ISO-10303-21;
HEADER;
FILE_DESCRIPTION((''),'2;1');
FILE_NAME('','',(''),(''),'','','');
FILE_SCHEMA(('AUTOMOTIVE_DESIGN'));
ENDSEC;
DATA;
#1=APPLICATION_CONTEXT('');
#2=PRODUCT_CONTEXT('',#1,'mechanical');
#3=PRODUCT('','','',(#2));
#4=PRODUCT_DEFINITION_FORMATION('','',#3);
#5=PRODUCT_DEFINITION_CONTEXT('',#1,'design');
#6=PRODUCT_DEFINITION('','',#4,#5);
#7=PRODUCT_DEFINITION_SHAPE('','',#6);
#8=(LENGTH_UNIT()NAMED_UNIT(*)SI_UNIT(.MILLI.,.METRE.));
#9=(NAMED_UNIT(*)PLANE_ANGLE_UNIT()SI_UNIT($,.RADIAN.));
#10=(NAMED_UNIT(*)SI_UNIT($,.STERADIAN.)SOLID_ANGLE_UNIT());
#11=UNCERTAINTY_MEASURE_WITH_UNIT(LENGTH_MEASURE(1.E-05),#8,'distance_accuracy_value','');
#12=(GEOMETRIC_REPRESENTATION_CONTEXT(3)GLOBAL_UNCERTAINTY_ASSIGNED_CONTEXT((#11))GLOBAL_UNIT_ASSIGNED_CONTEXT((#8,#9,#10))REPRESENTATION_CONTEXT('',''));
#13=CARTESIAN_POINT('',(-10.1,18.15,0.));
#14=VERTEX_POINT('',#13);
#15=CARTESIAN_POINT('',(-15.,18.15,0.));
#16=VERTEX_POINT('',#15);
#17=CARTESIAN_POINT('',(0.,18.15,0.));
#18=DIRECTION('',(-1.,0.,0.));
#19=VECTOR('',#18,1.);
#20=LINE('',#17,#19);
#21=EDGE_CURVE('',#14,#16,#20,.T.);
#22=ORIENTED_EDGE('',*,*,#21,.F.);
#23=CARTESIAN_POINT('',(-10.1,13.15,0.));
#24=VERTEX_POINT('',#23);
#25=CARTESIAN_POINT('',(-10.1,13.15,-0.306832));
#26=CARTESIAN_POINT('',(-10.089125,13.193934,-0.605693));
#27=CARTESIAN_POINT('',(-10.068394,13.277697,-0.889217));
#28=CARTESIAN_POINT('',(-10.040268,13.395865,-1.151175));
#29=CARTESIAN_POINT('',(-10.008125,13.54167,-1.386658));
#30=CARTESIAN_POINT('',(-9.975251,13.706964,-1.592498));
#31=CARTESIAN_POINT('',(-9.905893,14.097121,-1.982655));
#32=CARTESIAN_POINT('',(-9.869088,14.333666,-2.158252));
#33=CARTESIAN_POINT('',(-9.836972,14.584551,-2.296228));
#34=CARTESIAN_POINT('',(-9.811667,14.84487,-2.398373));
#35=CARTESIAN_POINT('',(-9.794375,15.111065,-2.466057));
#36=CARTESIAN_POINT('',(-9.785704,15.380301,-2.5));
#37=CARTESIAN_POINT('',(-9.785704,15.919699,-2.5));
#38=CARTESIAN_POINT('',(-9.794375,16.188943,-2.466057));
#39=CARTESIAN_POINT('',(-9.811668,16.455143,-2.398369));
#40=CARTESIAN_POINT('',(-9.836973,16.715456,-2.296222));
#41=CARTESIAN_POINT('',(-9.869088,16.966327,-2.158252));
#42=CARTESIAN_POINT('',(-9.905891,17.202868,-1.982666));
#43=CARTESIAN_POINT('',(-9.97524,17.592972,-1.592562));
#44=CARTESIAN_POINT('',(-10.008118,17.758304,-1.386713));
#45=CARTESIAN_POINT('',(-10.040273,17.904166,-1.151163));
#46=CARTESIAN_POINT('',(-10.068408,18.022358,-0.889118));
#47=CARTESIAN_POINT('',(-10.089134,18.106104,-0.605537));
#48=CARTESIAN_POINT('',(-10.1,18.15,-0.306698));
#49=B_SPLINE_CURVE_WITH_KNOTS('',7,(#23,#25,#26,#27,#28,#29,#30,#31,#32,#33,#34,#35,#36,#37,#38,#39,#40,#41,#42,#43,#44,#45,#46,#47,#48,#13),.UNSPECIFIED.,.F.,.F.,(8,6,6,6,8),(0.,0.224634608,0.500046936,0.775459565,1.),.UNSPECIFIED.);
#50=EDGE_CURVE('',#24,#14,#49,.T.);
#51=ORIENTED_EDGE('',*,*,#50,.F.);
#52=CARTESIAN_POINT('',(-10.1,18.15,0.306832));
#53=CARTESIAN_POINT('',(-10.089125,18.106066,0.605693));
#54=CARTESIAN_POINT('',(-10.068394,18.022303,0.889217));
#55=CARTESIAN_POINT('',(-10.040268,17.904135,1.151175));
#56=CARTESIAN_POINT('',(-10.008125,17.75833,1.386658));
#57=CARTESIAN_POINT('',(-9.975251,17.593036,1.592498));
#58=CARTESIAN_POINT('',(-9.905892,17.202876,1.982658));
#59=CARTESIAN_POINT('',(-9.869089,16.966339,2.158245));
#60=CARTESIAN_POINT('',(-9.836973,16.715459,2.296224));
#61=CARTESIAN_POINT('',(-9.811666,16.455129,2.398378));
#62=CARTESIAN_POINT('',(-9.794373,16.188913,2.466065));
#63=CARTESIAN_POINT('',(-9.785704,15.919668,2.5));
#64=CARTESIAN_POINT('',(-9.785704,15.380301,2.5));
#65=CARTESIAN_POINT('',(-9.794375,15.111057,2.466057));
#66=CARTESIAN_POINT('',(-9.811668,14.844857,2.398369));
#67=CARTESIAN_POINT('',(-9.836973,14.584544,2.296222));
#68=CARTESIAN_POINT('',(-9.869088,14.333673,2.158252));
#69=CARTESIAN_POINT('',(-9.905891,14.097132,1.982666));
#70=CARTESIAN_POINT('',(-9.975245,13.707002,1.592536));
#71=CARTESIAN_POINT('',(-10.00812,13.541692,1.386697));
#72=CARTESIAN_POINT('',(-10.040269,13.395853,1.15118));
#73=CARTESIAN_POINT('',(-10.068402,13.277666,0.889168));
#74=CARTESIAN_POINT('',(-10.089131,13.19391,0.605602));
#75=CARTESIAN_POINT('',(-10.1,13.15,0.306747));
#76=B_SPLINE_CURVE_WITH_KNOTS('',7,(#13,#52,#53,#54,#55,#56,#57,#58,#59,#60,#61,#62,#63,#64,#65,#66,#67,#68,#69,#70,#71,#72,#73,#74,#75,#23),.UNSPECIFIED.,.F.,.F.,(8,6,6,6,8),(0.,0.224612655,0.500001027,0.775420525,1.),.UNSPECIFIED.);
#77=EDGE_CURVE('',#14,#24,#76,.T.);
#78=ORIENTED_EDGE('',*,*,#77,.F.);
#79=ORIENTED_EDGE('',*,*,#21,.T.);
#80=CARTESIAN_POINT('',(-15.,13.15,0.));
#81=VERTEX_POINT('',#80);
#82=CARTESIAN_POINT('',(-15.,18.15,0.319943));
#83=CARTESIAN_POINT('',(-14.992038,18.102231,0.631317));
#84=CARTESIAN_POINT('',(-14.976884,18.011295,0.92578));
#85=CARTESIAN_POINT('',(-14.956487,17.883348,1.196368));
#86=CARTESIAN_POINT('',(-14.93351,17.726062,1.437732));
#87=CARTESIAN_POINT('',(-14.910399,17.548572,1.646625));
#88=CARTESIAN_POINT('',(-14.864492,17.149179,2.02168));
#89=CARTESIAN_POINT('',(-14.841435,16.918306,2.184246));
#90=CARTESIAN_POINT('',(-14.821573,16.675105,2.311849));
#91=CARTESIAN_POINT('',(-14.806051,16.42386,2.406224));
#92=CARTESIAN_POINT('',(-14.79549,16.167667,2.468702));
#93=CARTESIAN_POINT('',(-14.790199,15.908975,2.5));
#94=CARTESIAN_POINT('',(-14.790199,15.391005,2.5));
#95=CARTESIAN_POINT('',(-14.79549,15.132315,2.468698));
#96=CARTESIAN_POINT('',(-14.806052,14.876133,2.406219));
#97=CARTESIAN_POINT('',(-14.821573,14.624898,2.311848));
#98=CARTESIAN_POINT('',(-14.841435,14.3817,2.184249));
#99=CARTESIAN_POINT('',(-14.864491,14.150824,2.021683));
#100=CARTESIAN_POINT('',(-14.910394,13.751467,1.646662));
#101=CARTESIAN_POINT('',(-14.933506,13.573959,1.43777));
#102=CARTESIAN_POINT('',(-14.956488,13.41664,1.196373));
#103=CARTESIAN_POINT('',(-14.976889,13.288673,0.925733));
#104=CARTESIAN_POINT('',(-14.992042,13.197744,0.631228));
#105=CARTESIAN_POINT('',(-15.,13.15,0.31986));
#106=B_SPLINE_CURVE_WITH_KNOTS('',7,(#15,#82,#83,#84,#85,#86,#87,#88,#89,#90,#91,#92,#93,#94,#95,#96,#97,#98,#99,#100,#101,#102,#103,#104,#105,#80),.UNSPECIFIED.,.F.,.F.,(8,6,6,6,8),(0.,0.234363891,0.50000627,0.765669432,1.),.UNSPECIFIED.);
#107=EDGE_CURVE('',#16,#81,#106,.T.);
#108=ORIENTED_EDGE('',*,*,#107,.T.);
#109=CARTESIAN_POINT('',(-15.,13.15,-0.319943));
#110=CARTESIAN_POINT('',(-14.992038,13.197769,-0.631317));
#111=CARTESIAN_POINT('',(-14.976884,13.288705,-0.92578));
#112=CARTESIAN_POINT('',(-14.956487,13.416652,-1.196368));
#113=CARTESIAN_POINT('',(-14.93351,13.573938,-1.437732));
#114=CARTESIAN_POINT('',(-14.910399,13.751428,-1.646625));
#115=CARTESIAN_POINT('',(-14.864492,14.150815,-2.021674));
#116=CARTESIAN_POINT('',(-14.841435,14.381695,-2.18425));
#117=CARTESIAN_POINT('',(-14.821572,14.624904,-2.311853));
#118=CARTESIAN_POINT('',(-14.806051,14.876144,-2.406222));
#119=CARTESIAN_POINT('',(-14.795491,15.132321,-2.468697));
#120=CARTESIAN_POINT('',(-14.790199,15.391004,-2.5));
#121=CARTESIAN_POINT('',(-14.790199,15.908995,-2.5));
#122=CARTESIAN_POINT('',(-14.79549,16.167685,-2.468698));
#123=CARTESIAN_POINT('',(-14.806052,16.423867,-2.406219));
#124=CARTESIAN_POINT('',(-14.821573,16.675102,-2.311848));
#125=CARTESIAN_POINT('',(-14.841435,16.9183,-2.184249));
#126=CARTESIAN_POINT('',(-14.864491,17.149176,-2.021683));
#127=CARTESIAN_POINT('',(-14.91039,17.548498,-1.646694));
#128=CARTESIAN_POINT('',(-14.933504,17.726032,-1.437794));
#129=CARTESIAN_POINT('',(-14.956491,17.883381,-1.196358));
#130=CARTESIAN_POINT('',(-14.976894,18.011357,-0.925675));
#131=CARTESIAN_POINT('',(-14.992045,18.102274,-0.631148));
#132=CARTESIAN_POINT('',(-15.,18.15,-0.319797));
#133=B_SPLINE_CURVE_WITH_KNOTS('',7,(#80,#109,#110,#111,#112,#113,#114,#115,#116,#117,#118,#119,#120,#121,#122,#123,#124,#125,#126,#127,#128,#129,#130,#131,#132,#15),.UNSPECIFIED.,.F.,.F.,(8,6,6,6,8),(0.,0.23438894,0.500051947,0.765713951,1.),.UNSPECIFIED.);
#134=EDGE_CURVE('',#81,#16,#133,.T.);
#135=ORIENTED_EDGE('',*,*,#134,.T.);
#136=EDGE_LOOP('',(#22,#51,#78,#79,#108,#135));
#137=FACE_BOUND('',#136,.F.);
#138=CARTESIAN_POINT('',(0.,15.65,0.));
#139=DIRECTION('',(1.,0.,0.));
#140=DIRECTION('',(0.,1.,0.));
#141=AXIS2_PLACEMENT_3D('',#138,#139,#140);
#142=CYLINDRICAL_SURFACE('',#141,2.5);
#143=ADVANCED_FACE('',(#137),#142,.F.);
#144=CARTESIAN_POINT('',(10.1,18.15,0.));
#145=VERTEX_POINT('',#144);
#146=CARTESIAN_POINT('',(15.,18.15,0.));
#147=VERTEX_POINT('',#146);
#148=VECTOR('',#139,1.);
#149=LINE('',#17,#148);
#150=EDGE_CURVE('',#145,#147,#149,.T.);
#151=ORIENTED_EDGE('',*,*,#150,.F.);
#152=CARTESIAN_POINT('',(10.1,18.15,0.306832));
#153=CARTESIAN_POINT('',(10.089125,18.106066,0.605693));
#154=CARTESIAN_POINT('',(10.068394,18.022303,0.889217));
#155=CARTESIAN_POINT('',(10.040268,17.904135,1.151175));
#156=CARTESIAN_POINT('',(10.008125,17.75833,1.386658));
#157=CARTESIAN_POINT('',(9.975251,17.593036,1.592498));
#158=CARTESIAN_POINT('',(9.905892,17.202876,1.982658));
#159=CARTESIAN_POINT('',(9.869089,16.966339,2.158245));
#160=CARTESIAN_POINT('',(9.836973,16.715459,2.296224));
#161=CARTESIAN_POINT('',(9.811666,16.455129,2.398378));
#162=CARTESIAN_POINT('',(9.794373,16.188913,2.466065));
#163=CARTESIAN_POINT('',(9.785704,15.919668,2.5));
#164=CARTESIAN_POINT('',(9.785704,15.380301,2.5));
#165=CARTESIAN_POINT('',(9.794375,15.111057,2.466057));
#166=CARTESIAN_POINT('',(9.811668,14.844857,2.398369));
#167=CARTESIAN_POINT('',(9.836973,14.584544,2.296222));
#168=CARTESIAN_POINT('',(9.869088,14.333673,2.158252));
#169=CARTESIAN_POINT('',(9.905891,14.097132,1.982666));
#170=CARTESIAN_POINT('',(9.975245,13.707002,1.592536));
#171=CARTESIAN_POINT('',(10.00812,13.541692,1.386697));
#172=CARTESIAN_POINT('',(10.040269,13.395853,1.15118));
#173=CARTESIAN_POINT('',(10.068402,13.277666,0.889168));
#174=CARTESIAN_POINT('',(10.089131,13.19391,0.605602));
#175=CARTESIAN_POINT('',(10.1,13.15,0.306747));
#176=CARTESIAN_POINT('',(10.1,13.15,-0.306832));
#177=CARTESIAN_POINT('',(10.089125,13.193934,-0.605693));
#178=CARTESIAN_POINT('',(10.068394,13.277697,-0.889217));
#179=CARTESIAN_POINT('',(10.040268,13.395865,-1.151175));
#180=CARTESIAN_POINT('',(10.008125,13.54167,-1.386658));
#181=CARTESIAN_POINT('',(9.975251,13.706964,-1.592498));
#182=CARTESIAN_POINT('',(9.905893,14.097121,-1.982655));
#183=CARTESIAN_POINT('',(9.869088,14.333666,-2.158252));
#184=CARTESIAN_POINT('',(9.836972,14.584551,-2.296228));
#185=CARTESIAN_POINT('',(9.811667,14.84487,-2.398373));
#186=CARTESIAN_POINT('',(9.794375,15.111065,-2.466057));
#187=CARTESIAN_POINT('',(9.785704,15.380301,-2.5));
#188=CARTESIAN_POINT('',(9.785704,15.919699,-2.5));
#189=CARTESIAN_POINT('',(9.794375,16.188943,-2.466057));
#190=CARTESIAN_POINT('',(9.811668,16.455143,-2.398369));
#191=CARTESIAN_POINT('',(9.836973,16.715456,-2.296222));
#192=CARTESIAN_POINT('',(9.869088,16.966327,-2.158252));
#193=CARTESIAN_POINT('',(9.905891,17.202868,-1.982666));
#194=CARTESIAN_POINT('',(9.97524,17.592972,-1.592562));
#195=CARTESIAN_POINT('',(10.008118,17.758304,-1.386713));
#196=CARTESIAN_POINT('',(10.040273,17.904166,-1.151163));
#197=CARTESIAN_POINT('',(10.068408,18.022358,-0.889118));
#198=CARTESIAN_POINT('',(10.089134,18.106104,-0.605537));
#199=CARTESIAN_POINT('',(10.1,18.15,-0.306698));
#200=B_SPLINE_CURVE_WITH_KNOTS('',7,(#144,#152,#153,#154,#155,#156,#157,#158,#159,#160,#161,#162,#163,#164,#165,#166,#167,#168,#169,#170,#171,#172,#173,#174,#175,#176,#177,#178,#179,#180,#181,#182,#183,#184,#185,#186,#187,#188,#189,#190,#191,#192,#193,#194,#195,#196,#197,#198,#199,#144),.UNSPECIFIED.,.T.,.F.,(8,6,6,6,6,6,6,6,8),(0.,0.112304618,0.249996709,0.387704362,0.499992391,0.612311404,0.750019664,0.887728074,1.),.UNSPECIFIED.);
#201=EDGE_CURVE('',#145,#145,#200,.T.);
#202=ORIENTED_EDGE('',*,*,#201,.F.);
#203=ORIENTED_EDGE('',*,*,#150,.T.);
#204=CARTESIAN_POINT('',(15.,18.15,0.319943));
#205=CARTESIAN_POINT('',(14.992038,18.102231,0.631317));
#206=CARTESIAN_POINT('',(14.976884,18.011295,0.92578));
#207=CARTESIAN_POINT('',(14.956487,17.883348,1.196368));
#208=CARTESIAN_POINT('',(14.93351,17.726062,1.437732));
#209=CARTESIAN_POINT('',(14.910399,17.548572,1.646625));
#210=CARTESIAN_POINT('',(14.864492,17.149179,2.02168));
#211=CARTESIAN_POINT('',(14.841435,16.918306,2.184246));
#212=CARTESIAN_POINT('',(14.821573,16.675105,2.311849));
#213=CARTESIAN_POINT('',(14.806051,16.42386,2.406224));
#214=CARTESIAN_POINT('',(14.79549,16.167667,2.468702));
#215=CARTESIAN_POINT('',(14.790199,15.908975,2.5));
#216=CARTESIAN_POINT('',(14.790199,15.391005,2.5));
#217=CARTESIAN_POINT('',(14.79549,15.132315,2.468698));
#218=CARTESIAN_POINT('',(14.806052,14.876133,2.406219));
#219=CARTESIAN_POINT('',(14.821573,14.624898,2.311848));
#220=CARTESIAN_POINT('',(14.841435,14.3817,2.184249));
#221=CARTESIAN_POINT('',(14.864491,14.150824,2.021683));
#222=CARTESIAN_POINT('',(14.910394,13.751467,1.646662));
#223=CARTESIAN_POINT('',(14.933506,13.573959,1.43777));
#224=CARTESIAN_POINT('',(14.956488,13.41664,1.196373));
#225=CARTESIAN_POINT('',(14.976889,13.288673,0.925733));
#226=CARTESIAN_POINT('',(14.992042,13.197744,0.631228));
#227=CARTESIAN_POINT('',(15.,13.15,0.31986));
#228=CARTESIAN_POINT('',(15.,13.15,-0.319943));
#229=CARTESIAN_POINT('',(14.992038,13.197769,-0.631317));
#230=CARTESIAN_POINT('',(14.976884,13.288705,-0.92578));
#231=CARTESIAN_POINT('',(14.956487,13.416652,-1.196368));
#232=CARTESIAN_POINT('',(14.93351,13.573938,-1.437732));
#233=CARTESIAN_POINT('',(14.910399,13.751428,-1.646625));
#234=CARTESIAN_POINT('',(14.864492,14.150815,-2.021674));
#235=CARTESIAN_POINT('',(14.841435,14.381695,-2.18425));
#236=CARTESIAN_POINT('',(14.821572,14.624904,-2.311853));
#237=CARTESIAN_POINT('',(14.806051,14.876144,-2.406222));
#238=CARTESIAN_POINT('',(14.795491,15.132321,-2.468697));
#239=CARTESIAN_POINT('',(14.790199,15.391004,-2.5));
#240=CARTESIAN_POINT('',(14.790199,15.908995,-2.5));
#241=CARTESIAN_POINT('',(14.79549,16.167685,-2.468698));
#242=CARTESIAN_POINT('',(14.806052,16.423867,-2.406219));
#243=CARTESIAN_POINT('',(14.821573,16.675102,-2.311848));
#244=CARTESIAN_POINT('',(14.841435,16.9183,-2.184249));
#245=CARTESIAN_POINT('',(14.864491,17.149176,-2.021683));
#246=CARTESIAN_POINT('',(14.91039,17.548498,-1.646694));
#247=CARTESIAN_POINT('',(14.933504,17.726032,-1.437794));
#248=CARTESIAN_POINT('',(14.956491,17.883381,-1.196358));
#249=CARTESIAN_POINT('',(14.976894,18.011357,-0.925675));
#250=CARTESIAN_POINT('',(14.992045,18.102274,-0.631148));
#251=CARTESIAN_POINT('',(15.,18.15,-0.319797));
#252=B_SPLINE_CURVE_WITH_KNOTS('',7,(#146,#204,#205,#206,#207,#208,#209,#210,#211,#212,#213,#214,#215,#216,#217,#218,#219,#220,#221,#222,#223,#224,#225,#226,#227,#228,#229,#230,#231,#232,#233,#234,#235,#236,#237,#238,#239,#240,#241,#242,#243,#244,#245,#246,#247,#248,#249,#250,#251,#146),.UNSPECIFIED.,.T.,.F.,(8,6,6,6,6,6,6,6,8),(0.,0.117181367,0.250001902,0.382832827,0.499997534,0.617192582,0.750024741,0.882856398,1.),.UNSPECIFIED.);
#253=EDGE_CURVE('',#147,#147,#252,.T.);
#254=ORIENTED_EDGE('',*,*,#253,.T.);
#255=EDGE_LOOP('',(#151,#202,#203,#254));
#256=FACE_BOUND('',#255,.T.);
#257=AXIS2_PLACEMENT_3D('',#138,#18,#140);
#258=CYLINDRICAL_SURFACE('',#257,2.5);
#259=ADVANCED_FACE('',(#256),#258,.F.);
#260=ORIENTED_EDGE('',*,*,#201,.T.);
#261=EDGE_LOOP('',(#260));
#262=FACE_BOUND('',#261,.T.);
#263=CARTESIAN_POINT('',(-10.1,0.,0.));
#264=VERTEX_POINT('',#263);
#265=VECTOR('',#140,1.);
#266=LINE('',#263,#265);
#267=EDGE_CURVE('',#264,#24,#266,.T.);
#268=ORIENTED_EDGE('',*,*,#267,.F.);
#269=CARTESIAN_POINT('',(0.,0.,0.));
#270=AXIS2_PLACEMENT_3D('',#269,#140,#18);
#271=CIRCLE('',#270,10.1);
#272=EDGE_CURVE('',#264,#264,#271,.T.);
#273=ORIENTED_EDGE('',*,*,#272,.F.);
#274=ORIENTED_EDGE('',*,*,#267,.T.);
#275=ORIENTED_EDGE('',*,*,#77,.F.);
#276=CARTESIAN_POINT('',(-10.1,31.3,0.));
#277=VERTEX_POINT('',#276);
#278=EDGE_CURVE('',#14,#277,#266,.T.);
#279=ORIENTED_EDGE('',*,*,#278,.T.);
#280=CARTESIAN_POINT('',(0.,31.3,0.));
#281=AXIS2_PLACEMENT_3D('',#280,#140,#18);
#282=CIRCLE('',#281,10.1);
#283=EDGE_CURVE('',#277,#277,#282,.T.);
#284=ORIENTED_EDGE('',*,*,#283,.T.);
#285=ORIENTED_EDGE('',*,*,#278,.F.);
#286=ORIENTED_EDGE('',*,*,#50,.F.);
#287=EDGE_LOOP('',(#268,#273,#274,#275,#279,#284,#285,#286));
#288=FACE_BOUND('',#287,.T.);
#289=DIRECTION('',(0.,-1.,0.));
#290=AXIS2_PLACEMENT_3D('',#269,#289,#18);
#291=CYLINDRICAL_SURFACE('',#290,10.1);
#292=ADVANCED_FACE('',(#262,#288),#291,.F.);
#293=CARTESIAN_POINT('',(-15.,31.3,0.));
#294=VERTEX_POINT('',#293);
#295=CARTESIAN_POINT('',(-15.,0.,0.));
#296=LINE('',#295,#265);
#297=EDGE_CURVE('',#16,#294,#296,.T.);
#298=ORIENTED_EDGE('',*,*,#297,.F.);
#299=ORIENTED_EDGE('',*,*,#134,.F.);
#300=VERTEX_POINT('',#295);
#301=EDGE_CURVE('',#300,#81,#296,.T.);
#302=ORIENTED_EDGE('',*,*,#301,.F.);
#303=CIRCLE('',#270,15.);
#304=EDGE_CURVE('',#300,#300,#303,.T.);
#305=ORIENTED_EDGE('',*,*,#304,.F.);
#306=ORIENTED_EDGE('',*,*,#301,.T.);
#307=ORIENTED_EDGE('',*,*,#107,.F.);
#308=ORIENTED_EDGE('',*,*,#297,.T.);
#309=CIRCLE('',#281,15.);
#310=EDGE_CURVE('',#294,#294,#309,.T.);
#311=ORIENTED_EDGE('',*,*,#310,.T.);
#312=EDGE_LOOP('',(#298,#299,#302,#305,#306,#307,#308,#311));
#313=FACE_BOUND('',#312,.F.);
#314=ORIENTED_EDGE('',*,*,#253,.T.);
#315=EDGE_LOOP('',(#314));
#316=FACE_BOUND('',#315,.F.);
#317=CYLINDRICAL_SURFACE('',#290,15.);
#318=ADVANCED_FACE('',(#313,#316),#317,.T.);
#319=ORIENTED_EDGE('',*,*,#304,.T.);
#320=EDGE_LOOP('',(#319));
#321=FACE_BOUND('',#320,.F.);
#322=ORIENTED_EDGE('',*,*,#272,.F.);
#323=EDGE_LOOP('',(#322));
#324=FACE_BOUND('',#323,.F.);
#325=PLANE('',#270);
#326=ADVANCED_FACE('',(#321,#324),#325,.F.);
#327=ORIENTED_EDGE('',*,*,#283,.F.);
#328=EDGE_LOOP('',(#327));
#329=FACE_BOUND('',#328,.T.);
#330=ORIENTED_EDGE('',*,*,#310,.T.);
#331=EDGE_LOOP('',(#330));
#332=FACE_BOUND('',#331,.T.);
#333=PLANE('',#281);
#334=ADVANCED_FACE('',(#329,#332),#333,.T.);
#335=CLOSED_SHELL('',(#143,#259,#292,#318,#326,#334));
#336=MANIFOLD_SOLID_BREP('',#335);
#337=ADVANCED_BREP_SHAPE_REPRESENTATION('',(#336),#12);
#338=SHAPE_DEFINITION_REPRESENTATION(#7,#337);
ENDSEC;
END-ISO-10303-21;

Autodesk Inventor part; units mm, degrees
ref_plane "YZ Plane" through (0, 0, 0) normal (1, 0, 0) x (0, 1, 0)
ref_plane "XZ Plane" through (0, 0, 0) normal (0, 1, 0) x (-1, 0, 0)
ref_plane "XY Plane" through (0, 0, 0) normal (0, 0, 1) x (1, 0, 0)
sketch "Sketch1" plane through (0, 0, 0) normal (0, 1, 0) x (-1, 0, 0)
  circle A0 centre (0, 0) radius 10.1
  circle A1 centre (0, 0) radius 15
  dimension "d0" = 20.2
  dimension "d1" = 30
extrude "Extrusion1" add sketch "Sketch1" along normal blind 31.3
sketch "Sketch2" plane through (0, 0, 0) normal (1, 0, 0) x (0, 1, 0)
  circle A0 centre (15.65, 0) radius 2.5
  line L0 (15.65, 0) -> (15.65, -15) construction
  line L1 (0, -15) -> (31.3, -15) projected
  point P0 (0, 0)
  dimension "d4" = 5
extrude "Extrusion2" cut sketch "Sketch2" along normal through all both and the other way through all
thread "Thread1" size "M5x0.8" class "6H" standard "ANSI Metric M Profile" full length
thread "Thread2" size "M5x0.8" class "6H" standard "ANSI Metric M Profile" full length
properties part number "Axle Retainer" material "Aluminum 6061"
